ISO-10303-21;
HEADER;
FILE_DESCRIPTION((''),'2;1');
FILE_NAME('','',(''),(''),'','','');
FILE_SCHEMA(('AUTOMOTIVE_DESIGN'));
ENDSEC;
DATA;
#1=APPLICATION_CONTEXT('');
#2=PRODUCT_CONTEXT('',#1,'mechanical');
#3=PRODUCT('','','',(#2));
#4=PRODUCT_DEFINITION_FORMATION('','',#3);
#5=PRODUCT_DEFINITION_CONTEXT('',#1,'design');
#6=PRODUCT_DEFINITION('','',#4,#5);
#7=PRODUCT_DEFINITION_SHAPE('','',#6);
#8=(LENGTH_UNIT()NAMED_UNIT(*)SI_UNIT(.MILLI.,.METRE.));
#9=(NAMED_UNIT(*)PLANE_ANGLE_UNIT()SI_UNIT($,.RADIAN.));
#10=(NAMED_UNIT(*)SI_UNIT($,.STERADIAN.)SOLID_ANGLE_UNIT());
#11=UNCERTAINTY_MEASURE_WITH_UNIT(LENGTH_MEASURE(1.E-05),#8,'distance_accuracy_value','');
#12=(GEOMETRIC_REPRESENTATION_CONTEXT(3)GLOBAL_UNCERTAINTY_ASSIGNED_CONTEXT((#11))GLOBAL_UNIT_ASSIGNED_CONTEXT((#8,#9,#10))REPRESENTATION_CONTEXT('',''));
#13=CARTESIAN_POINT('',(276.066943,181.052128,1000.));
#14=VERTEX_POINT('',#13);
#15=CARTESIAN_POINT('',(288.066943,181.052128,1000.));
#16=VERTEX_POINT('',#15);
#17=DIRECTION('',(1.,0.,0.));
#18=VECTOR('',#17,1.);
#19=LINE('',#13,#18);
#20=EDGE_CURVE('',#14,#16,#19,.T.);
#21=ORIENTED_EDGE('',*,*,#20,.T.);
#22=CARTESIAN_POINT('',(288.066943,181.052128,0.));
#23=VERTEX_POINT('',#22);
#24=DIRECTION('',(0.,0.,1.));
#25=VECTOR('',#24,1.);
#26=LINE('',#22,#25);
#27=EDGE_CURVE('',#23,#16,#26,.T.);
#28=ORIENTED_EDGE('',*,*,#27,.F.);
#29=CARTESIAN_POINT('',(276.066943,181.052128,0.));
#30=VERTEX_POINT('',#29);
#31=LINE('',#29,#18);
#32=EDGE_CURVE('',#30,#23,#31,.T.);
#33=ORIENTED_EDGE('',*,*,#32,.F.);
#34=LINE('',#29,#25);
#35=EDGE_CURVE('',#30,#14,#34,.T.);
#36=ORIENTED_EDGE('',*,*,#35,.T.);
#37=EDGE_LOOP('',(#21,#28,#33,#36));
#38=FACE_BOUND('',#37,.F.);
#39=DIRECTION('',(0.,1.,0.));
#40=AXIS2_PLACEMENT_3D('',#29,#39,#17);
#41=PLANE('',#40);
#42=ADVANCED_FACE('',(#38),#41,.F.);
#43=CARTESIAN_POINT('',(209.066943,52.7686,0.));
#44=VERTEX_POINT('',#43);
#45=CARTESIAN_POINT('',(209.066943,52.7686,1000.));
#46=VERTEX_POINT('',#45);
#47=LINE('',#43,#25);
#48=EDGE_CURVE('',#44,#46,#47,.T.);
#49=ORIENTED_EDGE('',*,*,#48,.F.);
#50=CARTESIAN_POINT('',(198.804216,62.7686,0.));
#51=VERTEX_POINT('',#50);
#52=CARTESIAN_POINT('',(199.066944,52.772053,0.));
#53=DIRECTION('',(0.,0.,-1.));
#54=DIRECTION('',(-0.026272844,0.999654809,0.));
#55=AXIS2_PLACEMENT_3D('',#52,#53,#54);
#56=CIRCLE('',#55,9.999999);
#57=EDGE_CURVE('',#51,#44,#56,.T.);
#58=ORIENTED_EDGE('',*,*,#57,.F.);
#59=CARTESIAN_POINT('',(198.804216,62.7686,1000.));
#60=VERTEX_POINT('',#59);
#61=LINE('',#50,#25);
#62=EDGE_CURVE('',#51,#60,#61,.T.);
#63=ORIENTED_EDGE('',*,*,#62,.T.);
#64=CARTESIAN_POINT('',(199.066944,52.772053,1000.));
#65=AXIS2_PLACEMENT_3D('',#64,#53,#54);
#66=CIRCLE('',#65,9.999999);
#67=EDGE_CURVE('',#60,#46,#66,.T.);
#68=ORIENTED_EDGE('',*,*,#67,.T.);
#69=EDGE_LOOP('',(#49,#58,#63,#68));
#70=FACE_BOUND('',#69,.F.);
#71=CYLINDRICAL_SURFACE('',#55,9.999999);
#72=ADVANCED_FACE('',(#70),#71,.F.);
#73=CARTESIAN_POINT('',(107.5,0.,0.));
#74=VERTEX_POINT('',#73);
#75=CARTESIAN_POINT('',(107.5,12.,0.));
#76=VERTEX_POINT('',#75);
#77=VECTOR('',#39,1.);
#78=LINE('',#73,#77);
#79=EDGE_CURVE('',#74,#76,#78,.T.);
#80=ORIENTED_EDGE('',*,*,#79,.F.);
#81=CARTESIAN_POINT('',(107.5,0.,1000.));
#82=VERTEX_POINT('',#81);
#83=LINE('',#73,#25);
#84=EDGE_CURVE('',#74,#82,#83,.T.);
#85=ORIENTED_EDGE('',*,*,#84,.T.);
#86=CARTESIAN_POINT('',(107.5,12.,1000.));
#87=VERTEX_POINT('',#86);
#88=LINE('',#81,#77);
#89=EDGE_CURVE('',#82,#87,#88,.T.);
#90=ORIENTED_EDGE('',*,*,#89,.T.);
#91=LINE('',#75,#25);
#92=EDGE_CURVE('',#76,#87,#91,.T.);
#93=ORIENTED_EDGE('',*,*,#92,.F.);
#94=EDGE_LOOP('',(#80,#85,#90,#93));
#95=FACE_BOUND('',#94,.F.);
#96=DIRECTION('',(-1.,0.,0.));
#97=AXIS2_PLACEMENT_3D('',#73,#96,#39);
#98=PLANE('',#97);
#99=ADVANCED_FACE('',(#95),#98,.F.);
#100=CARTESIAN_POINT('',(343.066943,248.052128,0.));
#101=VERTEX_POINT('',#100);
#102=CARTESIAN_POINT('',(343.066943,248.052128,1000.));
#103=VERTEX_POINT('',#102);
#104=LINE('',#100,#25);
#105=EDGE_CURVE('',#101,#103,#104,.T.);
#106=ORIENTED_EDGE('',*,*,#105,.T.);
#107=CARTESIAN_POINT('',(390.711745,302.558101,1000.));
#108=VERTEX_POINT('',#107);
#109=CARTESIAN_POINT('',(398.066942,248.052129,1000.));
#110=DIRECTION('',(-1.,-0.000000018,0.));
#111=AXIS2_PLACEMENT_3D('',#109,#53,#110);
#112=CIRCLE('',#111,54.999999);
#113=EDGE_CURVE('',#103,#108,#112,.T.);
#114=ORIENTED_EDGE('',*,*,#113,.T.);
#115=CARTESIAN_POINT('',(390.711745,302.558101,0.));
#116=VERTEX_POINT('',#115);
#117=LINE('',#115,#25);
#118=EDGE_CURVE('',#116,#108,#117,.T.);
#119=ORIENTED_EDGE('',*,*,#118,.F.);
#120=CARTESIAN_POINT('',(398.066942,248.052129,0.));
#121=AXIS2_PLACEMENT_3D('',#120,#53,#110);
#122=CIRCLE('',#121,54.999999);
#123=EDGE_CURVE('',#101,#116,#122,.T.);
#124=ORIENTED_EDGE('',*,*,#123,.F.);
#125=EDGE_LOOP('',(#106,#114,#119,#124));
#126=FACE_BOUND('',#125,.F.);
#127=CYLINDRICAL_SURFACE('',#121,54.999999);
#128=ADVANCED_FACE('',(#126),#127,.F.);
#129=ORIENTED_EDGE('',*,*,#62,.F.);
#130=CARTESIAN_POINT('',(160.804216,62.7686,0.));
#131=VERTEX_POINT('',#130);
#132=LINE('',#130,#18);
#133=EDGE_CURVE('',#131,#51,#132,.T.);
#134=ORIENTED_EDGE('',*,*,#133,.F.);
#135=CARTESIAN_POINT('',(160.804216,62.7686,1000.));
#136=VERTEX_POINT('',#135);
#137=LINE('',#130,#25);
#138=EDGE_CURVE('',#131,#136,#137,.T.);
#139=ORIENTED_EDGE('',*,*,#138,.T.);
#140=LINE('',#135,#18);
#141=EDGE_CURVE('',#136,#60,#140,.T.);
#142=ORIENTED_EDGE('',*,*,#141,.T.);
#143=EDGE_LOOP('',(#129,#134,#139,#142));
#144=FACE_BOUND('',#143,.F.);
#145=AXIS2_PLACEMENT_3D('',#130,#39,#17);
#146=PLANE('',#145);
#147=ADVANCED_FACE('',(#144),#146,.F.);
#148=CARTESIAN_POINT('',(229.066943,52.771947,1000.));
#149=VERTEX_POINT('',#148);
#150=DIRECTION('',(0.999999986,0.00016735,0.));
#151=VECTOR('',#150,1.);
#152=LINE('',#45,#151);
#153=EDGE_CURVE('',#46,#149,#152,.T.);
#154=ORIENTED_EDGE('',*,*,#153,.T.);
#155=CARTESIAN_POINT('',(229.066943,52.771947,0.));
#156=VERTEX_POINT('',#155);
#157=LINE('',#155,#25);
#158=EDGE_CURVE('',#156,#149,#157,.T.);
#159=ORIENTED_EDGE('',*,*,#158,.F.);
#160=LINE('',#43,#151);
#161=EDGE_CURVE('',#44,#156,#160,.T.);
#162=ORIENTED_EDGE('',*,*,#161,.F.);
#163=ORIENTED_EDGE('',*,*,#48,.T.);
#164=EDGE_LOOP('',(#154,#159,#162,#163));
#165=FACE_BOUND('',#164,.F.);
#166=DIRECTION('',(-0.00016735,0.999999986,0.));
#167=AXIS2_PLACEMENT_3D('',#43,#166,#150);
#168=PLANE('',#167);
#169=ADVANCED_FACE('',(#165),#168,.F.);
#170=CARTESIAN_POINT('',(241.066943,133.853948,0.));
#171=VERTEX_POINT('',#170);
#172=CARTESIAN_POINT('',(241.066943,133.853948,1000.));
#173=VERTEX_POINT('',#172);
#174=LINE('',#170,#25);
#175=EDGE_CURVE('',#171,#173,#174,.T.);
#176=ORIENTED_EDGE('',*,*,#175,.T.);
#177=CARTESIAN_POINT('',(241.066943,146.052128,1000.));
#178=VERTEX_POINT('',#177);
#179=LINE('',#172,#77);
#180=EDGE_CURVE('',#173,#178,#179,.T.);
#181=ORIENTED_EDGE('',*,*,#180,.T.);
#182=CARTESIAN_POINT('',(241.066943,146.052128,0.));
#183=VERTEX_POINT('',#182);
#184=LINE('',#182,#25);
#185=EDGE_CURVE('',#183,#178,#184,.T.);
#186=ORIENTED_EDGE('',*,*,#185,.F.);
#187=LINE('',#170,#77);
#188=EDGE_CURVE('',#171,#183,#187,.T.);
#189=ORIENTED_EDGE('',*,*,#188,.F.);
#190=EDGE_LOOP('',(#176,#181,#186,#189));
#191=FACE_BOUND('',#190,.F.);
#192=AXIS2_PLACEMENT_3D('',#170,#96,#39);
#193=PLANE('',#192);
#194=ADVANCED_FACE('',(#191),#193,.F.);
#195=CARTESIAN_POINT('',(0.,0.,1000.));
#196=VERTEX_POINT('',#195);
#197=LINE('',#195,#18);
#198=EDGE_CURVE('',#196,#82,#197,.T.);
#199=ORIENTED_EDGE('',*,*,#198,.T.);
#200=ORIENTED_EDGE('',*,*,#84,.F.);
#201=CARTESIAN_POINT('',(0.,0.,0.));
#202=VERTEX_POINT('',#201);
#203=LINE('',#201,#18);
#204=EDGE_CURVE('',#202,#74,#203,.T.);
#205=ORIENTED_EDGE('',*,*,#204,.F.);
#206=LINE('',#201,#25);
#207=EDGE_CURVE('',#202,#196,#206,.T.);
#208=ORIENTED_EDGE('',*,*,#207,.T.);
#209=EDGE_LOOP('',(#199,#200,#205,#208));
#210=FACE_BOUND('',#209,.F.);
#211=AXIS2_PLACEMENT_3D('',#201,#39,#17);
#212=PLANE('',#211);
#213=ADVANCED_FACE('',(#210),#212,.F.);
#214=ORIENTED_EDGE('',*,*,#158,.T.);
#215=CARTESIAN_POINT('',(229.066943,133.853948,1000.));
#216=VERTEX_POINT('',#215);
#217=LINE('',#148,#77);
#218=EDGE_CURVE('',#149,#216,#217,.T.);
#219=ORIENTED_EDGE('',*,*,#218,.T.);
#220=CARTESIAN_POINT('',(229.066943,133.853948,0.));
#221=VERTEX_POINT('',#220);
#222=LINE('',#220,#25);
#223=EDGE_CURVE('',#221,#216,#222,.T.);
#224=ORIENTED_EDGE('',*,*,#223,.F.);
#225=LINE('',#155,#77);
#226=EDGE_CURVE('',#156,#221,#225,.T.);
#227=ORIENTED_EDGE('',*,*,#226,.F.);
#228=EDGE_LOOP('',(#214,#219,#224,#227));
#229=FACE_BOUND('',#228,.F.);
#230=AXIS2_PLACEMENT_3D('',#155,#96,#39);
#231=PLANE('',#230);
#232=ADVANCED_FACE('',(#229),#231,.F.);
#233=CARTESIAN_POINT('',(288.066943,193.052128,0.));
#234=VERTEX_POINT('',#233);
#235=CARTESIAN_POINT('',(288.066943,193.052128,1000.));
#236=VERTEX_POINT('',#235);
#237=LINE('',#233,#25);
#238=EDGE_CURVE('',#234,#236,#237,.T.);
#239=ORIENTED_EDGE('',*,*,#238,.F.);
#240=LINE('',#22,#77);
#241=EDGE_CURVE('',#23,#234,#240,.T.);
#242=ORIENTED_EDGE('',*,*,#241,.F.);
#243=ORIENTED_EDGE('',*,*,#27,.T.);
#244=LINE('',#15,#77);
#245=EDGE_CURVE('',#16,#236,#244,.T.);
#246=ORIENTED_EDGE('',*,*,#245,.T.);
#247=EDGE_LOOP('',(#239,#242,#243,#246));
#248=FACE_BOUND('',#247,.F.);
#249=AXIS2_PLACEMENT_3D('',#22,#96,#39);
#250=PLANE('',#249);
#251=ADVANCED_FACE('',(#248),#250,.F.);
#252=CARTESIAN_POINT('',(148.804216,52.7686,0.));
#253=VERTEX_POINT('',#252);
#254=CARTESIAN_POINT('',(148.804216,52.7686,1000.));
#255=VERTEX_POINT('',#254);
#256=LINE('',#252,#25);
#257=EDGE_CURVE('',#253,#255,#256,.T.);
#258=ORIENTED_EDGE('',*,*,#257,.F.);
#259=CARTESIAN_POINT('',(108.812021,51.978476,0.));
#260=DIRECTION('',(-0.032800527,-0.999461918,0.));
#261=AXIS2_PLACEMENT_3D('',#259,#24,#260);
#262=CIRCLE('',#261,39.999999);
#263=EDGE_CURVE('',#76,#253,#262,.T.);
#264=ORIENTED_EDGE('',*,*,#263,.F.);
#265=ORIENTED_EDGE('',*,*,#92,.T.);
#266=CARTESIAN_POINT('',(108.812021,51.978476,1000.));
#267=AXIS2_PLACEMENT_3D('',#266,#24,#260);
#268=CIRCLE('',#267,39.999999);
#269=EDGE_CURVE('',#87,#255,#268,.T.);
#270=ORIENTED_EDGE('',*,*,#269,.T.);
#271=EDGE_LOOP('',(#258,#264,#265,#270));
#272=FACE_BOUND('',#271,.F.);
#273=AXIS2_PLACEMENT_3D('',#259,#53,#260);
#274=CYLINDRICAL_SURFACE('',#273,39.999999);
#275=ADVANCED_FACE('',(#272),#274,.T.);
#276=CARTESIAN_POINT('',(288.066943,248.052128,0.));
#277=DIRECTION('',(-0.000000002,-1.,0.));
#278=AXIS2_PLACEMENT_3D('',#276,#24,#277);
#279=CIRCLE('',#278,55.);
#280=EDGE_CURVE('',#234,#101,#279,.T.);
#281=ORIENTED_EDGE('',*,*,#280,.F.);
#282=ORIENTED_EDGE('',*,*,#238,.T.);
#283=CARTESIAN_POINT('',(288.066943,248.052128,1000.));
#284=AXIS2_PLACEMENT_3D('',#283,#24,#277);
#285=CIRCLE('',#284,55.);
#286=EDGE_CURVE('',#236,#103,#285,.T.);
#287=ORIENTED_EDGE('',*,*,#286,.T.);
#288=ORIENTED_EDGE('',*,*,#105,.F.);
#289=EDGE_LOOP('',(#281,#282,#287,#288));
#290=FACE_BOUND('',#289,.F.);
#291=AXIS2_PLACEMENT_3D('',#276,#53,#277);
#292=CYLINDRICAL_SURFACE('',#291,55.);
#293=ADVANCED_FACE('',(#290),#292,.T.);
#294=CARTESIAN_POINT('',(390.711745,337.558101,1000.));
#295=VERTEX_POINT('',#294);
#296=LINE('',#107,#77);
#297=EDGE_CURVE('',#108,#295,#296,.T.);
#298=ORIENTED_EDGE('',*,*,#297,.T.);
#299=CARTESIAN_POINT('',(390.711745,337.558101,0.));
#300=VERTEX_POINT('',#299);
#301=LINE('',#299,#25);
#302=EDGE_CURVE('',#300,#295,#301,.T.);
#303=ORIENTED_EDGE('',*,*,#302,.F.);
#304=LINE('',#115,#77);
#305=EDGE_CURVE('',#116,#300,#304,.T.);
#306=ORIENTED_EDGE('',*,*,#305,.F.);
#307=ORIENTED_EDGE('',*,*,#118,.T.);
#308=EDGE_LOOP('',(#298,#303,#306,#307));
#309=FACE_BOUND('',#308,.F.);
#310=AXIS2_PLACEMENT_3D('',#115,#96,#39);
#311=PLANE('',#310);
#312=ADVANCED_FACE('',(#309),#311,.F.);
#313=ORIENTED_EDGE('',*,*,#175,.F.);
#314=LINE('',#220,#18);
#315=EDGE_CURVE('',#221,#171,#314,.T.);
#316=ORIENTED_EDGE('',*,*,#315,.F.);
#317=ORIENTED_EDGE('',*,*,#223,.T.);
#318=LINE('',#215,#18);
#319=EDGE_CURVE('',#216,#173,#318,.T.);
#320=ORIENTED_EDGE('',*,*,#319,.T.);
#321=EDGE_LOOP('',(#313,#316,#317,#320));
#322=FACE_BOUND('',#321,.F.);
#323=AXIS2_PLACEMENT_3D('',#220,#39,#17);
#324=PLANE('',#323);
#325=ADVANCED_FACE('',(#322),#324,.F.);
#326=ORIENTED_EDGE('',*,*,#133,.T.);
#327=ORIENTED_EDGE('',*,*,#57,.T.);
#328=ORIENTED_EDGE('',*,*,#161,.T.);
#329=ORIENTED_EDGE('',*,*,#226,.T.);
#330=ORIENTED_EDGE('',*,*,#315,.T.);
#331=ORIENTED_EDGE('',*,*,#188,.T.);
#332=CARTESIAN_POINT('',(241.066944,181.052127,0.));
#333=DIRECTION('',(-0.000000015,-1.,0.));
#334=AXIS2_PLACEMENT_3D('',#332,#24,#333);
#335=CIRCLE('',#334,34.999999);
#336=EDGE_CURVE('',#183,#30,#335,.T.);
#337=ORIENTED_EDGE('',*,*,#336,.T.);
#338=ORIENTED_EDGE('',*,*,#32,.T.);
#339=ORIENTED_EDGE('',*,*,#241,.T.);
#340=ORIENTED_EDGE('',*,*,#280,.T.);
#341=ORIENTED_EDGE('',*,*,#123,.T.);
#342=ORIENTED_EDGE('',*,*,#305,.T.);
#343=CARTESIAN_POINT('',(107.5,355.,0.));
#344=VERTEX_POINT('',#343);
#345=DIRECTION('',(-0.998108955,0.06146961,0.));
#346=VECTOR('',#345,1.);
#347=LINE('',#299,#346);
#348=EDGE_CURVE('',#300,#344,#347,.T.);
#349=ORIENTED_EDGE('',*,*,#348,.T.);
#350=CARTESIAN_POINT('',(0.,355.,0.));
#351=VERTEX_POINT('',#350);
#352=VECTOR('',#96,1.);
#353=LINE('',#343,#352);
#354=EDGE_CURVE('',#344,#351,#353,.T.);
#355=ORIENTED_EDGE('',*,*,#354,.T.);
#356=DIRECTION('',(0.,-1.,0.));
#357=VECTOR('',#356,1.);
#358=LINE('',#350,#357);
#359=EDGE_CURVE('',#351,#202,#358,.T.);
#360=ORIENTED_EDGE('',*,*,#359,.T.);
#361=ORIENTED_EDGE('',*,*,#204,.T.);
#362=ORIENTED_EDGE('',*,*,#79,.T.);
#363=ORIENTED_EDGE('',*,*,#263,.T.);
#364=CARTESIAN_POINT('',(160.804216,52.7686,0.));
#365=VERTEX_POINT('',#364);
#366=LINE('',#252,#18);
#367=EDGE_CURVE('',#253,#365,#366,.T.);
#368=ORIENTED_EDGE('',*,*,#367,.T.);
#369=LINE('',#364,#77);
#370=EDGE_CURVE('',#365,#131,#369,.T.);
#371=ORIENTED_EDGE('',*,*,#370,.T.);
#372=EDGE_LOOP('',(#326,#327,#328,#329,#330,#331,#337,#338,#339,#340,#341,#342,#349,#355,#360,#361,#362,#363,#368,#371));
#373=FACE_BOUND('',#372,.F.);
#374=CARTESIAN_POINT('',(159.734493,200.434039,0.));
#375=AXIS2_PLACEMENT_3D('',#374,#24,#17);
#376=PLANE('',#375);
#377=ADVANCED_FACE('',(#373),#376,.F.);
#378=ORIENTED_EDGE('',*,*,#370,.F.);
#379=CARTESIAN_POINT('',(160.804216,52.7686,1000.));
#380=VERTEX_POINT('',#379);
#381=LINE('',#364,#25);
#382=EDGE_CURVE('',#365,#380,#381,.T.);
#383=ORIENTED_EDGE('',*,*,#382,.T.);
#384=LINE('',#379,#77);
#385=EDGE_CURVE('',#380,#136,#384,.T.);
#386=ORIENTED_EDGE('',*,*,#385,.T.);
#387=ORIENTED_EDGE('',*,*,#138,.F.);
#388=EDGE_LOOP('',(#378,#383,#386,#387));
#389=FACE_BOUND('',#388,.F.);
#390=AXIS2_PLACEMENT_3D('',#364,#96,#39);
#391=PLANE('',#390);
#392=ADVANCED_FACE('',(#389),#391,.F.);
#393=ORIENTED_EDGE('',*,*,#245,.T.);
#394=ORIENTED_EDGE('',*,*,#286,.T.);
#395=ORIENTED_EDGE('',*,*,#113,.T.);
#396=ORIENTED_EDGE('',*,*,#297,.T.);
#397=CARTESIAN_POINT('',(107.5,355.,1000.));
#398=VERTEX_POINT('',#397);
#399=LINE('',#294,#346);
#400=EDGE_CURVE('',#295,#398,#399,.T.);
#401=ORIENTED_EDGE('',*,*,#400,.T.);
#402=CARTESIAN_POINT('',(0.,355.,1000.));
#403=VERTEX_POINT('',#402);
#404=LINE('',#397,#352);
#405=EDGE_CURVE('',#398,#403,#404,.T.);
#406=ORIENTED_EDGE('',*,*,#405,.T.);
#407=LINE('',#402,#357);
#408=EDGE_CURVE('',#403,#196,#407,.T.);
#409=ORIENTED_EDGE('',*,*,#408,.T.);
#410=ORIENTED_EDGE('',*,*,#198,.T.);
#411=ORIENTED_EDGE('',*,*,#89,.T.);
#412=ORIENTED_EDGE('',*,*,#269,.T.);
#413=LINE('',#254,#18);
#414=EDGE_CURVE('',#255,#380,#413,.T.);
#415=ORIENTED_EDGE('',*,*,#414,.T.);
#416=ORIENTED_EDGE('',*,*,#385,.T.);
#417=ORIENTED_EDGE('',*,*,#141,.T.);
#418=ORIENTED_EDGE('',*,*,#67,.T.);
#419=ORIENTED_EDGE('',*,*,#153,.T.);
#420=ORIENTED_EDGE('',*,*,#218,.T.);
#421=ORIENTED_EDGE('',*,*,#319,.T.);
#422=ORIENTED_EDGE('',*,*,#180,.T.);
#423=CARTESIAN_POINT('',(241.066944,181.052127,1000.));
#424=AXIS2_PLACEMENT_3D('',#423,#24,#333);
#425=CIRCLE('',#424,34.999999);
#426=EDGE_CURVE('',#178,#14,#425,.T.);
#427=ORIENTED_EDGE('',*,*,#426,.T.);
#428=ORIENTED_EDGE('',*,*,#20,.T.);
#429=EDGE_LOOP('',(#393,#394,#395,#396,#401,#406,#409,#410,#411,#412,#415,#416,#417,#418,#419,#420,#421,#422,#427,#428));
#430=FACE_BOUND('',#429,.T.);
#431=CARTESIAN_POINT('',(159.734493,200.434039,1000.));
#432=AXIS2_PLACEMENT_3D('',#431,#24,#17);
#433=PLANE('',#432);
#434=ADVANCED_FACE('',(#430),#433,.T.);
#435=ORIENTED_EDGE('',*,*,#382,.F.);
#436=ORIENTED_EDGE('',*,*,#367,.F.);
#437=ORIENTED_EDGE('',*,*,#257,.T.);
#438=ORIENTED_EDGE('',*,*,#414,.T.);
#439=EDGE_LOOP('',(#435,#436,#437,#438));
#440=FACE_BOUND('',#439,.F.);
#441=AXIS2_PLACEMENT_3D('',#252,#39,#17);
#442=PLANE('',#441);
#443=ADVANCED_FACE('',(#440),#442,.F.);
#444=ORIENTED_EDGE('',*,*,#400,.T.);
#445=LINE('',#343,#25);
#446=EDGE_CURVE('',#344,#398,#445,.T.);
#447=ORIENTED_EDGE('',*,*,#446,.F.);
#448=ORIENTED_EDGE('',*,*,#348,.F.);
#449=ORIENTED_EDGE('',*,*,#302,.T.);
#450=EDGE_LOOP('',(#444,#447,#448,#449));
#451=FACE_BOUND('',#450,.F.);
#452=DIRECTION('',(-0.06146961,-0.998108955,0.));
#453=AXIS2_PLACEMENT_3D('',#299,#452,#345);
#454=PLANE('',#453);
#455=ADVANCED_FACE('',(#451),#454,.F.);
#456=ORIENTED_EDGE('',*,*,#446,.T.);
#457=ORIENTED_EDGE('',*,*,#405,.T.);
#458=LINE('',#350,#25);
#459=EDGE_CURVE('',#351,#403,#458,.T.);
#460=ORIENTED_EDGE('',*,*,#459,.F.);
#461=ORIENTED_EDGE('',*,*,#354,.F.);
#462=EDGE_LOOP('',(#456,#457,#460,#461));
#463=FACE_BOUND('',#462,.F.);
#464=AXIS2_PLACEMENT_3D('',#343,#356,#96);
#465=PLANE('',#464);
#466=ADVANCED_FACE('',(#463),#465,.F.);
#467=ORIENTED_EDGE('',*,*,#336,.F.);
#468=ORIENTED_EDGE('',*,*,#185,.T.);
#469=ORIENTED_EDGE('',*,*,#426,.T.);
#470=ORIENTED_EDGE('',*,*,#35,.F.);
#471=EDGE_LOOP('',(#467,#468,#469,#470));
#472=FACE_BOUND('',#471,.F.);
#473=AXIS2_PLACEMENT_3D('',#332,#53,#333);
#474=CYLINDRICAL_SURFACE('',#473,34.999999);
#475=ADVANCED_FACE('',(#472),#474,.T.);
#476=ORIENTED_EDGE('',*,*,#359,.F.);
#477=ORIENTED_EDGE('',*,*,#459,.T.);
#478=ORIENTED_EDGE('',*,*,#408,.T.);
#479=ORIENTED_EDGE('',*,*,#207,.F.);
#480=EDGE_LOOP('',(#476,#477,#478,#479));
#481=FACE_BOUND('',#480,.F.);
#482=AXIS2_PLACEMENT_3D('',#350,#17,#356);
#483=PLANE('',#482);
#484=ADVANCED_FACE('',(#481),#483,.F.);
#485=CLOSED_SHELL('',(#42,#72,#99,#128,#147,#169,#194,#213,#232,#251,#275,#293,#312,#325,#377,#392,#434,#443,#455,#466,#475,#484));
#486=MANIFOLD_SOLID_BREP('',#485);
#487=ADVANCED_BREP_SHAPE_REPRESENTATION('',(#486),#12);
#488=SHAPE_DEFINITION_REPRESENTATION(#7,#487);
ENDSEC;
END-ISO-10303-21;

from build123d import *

# Parameters (mm, degrees)
F1_DEPTH = 1000


with BuildPart() as f1:
    # F0 (on Top) → F1 (new body)
    with BuildSketch(Plane.XY):
        with BuildLine():
            Line((0, 355), (0, 0))
            Line((0, 0), (107.5, 0))
            Line((107.5, 0), (107.5, 12))
            ThreePointArc((107.5, 12), (136.911107, 23.510225), (148.804216, 52.7686))
            Line((148.804216, 52.7686), (160.804216, 52.7686))
            Line((160.804216, 52.7686), (160.804216, 62.7686))
            Line((160.804216, 62.7686), (198.804216, 62.7686))
            ThreePointArc((198.804216, 62.7686), (206.045742, 59.934201), (209.066943, 52.7686))
            Line((209.066943, 52.7686), (229.066943, 52.771947))
            Line((229.066943, 52.771947), (229.066943, 133.853948))
            Line((229.066943, 133.853948), (241.066943, 133.853948))
            Line((241.066943, 133.853948), (241.066943, 146.052128))
            ThreePointArc((241.066943, 146.052128), (265.815681, 156.303391), (276.066943, 181.052128))
            Line((276.066943, 181.052128), (288.066943, 181.052128))
            Line((288.066943, 181.052128), (288.066943, 193.052128))
            ThreePointArc((288.066943, 193.052128), (326.957816, 209.161255), (343.066943, 248.052128))
            ThreePointArc((343.066943, 248.052128), (356.657186, 284.249256), (390.711745, 302.558101))
            Line((390.711745, 302.558101), (390.711745, 337.558101))
            Line((390.711745, 337.558101), (107.5, 355))
            Line((107.5, 355), (0, 355))
        make_face()
    extrude(amount=F1_DEPTH)


solid = f1.part
